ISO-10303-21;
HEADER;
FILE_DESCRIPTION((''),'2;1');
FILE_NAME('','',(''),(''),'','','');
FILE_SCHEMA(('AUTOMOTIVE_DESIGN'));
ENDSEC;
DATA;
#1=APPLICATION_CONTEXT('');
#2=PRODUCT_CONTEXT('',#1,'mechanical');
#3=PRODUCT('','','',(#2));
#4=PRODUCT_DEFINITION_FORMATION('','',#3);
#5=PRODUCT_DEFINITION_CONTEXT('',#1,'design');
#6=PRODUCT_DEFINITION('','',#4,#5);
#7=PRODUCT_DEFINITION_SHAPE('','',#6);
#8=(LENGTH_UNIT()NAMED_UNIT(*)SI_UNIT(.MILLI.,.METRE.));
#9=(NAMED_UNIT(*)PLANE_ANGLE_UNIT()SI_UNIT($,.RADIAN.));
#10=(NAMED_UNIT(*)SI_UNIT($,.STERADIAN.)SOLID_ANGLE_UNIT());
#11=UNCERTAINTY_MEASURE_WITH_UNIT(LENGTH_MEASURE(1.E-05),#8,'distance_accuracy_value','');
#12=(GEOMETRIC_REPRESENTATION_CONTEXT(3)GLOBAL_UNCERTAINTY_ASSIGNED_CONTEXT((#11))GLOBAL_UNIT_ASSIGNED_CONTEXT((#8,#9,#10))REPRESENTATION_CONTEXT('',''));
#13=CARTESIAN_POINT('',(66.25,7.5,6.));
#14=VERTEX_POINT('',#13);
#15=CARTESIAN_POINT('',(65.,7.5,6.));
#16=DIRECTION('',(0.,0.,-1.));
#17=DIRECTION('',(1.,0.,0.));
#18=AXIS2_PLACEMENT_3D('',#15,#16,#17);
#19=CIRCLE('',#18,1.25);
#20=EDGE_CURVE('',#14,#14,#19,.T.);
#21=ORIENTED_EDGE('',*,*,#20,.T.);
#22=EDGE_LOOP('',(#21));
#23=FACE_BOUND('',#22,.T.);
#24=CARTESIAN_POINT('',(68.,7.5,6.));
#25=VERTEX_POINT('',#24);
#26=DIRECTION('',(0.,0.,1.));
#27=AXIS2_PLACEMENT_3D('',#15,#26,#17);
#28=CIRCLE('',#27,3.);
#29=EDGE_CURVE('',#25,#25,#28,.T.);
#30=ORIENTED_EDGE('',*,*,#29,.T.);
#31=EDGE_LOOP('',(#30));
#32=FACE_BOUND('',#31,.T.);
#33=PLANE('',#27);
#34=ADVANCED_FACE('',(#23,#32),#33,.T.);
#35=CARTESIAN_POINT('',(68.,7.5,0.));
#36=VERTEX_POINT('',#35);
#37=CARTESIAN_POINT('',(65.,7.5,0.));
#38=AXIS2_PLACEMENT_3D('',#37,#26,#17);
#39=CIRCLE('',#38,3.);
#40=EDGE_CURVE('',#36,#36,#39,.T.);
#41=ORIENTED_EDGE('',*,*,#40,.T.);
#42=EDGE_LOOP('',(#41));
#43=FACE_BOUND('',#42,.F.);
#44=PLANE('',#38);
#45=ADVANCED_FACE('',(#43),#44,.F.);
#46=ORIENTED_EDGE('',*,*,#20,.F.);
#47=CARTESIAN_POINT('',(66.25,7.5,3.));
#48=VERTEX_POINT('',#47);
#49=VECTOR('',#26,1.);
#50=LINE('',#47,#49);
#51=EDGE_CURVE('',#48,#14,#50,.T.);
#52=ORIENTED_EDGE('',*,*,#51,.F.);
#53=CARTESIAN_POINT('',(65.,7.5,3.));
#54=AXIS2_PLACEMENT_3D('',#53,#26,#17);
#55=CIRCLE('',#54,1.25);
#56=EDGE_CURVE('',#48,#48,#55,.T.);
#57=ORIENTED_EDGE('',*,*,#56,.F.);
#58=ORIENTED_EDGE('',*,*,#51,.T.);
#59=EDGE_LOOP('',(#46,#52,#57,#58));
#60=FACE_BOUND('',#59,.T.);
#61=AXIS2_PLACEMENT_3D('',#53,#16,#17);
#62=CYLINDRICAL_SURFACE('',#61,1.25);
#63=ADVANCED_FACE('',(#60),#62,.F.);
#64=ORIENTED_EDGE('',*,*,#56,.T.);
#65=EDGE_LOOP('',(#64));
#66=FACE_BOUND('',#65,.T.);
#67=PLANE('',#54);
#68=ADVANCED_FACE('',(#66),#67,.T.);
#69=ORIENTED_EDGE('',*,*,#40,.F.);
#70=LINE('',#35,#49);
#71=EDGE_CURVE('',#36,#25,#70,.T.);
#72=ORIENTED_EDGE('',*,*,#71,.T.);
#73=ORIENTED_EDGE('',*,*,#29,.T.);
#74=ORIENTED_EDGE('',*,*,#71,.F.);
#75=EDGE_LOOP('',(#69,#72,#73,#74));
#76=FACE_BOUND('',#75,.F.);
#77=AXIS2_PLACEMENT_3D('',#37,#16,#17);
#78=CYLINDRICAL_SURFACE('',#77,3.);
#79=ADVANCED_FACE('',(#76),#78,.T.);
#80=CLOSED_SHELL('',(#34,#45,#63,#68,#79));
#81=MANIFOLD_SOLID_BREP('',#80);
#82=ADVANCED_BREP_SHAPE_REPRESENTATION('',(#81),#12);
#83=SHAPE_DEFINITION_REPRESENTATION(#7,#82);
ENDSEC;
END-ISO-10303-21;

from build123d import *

# Parameters (mm, degrees)
CYLINDER022_R     = 1.25
CYLINDER022_DEPTH = 5
CYLINDER010_R     = 3
CYLINDER010_DEPTH = 6


with BuildPart() as b_sw009:
    # Cylinder022 → Cylinder022 (new body)
    with BuildSketch(Plane(origin=(30, 14, 3), x_dir=(1, 0, 0), z_dir=(0, 0, 1))):
        Circle(CYLINDER022_R)
    extrude(amount=CYLINDER022_DEPTH)


with BuildPart() as h_cut006:
    # Cylinder010 → Cylinder010 (new body)
    with BuildSketch(Plane(origin=(30, 14, 0), x_dir=(1, 0, 0), z_dir=(0, 0, 1))):
        Circle(CYLINDER010_R)
    extrude(amount=CYLINDER010_DEPTH)

    # Cut006: cut B_SW009
    add(b_sw009.part, mode=Mode.SUBTRACT)


with BuildPart() as h_cut006_1:
    # Cut006 placement: moved
    add(h_cut006.part.moved(Location((35, -6.5, 0))))


solid = h_cut006_1.part
